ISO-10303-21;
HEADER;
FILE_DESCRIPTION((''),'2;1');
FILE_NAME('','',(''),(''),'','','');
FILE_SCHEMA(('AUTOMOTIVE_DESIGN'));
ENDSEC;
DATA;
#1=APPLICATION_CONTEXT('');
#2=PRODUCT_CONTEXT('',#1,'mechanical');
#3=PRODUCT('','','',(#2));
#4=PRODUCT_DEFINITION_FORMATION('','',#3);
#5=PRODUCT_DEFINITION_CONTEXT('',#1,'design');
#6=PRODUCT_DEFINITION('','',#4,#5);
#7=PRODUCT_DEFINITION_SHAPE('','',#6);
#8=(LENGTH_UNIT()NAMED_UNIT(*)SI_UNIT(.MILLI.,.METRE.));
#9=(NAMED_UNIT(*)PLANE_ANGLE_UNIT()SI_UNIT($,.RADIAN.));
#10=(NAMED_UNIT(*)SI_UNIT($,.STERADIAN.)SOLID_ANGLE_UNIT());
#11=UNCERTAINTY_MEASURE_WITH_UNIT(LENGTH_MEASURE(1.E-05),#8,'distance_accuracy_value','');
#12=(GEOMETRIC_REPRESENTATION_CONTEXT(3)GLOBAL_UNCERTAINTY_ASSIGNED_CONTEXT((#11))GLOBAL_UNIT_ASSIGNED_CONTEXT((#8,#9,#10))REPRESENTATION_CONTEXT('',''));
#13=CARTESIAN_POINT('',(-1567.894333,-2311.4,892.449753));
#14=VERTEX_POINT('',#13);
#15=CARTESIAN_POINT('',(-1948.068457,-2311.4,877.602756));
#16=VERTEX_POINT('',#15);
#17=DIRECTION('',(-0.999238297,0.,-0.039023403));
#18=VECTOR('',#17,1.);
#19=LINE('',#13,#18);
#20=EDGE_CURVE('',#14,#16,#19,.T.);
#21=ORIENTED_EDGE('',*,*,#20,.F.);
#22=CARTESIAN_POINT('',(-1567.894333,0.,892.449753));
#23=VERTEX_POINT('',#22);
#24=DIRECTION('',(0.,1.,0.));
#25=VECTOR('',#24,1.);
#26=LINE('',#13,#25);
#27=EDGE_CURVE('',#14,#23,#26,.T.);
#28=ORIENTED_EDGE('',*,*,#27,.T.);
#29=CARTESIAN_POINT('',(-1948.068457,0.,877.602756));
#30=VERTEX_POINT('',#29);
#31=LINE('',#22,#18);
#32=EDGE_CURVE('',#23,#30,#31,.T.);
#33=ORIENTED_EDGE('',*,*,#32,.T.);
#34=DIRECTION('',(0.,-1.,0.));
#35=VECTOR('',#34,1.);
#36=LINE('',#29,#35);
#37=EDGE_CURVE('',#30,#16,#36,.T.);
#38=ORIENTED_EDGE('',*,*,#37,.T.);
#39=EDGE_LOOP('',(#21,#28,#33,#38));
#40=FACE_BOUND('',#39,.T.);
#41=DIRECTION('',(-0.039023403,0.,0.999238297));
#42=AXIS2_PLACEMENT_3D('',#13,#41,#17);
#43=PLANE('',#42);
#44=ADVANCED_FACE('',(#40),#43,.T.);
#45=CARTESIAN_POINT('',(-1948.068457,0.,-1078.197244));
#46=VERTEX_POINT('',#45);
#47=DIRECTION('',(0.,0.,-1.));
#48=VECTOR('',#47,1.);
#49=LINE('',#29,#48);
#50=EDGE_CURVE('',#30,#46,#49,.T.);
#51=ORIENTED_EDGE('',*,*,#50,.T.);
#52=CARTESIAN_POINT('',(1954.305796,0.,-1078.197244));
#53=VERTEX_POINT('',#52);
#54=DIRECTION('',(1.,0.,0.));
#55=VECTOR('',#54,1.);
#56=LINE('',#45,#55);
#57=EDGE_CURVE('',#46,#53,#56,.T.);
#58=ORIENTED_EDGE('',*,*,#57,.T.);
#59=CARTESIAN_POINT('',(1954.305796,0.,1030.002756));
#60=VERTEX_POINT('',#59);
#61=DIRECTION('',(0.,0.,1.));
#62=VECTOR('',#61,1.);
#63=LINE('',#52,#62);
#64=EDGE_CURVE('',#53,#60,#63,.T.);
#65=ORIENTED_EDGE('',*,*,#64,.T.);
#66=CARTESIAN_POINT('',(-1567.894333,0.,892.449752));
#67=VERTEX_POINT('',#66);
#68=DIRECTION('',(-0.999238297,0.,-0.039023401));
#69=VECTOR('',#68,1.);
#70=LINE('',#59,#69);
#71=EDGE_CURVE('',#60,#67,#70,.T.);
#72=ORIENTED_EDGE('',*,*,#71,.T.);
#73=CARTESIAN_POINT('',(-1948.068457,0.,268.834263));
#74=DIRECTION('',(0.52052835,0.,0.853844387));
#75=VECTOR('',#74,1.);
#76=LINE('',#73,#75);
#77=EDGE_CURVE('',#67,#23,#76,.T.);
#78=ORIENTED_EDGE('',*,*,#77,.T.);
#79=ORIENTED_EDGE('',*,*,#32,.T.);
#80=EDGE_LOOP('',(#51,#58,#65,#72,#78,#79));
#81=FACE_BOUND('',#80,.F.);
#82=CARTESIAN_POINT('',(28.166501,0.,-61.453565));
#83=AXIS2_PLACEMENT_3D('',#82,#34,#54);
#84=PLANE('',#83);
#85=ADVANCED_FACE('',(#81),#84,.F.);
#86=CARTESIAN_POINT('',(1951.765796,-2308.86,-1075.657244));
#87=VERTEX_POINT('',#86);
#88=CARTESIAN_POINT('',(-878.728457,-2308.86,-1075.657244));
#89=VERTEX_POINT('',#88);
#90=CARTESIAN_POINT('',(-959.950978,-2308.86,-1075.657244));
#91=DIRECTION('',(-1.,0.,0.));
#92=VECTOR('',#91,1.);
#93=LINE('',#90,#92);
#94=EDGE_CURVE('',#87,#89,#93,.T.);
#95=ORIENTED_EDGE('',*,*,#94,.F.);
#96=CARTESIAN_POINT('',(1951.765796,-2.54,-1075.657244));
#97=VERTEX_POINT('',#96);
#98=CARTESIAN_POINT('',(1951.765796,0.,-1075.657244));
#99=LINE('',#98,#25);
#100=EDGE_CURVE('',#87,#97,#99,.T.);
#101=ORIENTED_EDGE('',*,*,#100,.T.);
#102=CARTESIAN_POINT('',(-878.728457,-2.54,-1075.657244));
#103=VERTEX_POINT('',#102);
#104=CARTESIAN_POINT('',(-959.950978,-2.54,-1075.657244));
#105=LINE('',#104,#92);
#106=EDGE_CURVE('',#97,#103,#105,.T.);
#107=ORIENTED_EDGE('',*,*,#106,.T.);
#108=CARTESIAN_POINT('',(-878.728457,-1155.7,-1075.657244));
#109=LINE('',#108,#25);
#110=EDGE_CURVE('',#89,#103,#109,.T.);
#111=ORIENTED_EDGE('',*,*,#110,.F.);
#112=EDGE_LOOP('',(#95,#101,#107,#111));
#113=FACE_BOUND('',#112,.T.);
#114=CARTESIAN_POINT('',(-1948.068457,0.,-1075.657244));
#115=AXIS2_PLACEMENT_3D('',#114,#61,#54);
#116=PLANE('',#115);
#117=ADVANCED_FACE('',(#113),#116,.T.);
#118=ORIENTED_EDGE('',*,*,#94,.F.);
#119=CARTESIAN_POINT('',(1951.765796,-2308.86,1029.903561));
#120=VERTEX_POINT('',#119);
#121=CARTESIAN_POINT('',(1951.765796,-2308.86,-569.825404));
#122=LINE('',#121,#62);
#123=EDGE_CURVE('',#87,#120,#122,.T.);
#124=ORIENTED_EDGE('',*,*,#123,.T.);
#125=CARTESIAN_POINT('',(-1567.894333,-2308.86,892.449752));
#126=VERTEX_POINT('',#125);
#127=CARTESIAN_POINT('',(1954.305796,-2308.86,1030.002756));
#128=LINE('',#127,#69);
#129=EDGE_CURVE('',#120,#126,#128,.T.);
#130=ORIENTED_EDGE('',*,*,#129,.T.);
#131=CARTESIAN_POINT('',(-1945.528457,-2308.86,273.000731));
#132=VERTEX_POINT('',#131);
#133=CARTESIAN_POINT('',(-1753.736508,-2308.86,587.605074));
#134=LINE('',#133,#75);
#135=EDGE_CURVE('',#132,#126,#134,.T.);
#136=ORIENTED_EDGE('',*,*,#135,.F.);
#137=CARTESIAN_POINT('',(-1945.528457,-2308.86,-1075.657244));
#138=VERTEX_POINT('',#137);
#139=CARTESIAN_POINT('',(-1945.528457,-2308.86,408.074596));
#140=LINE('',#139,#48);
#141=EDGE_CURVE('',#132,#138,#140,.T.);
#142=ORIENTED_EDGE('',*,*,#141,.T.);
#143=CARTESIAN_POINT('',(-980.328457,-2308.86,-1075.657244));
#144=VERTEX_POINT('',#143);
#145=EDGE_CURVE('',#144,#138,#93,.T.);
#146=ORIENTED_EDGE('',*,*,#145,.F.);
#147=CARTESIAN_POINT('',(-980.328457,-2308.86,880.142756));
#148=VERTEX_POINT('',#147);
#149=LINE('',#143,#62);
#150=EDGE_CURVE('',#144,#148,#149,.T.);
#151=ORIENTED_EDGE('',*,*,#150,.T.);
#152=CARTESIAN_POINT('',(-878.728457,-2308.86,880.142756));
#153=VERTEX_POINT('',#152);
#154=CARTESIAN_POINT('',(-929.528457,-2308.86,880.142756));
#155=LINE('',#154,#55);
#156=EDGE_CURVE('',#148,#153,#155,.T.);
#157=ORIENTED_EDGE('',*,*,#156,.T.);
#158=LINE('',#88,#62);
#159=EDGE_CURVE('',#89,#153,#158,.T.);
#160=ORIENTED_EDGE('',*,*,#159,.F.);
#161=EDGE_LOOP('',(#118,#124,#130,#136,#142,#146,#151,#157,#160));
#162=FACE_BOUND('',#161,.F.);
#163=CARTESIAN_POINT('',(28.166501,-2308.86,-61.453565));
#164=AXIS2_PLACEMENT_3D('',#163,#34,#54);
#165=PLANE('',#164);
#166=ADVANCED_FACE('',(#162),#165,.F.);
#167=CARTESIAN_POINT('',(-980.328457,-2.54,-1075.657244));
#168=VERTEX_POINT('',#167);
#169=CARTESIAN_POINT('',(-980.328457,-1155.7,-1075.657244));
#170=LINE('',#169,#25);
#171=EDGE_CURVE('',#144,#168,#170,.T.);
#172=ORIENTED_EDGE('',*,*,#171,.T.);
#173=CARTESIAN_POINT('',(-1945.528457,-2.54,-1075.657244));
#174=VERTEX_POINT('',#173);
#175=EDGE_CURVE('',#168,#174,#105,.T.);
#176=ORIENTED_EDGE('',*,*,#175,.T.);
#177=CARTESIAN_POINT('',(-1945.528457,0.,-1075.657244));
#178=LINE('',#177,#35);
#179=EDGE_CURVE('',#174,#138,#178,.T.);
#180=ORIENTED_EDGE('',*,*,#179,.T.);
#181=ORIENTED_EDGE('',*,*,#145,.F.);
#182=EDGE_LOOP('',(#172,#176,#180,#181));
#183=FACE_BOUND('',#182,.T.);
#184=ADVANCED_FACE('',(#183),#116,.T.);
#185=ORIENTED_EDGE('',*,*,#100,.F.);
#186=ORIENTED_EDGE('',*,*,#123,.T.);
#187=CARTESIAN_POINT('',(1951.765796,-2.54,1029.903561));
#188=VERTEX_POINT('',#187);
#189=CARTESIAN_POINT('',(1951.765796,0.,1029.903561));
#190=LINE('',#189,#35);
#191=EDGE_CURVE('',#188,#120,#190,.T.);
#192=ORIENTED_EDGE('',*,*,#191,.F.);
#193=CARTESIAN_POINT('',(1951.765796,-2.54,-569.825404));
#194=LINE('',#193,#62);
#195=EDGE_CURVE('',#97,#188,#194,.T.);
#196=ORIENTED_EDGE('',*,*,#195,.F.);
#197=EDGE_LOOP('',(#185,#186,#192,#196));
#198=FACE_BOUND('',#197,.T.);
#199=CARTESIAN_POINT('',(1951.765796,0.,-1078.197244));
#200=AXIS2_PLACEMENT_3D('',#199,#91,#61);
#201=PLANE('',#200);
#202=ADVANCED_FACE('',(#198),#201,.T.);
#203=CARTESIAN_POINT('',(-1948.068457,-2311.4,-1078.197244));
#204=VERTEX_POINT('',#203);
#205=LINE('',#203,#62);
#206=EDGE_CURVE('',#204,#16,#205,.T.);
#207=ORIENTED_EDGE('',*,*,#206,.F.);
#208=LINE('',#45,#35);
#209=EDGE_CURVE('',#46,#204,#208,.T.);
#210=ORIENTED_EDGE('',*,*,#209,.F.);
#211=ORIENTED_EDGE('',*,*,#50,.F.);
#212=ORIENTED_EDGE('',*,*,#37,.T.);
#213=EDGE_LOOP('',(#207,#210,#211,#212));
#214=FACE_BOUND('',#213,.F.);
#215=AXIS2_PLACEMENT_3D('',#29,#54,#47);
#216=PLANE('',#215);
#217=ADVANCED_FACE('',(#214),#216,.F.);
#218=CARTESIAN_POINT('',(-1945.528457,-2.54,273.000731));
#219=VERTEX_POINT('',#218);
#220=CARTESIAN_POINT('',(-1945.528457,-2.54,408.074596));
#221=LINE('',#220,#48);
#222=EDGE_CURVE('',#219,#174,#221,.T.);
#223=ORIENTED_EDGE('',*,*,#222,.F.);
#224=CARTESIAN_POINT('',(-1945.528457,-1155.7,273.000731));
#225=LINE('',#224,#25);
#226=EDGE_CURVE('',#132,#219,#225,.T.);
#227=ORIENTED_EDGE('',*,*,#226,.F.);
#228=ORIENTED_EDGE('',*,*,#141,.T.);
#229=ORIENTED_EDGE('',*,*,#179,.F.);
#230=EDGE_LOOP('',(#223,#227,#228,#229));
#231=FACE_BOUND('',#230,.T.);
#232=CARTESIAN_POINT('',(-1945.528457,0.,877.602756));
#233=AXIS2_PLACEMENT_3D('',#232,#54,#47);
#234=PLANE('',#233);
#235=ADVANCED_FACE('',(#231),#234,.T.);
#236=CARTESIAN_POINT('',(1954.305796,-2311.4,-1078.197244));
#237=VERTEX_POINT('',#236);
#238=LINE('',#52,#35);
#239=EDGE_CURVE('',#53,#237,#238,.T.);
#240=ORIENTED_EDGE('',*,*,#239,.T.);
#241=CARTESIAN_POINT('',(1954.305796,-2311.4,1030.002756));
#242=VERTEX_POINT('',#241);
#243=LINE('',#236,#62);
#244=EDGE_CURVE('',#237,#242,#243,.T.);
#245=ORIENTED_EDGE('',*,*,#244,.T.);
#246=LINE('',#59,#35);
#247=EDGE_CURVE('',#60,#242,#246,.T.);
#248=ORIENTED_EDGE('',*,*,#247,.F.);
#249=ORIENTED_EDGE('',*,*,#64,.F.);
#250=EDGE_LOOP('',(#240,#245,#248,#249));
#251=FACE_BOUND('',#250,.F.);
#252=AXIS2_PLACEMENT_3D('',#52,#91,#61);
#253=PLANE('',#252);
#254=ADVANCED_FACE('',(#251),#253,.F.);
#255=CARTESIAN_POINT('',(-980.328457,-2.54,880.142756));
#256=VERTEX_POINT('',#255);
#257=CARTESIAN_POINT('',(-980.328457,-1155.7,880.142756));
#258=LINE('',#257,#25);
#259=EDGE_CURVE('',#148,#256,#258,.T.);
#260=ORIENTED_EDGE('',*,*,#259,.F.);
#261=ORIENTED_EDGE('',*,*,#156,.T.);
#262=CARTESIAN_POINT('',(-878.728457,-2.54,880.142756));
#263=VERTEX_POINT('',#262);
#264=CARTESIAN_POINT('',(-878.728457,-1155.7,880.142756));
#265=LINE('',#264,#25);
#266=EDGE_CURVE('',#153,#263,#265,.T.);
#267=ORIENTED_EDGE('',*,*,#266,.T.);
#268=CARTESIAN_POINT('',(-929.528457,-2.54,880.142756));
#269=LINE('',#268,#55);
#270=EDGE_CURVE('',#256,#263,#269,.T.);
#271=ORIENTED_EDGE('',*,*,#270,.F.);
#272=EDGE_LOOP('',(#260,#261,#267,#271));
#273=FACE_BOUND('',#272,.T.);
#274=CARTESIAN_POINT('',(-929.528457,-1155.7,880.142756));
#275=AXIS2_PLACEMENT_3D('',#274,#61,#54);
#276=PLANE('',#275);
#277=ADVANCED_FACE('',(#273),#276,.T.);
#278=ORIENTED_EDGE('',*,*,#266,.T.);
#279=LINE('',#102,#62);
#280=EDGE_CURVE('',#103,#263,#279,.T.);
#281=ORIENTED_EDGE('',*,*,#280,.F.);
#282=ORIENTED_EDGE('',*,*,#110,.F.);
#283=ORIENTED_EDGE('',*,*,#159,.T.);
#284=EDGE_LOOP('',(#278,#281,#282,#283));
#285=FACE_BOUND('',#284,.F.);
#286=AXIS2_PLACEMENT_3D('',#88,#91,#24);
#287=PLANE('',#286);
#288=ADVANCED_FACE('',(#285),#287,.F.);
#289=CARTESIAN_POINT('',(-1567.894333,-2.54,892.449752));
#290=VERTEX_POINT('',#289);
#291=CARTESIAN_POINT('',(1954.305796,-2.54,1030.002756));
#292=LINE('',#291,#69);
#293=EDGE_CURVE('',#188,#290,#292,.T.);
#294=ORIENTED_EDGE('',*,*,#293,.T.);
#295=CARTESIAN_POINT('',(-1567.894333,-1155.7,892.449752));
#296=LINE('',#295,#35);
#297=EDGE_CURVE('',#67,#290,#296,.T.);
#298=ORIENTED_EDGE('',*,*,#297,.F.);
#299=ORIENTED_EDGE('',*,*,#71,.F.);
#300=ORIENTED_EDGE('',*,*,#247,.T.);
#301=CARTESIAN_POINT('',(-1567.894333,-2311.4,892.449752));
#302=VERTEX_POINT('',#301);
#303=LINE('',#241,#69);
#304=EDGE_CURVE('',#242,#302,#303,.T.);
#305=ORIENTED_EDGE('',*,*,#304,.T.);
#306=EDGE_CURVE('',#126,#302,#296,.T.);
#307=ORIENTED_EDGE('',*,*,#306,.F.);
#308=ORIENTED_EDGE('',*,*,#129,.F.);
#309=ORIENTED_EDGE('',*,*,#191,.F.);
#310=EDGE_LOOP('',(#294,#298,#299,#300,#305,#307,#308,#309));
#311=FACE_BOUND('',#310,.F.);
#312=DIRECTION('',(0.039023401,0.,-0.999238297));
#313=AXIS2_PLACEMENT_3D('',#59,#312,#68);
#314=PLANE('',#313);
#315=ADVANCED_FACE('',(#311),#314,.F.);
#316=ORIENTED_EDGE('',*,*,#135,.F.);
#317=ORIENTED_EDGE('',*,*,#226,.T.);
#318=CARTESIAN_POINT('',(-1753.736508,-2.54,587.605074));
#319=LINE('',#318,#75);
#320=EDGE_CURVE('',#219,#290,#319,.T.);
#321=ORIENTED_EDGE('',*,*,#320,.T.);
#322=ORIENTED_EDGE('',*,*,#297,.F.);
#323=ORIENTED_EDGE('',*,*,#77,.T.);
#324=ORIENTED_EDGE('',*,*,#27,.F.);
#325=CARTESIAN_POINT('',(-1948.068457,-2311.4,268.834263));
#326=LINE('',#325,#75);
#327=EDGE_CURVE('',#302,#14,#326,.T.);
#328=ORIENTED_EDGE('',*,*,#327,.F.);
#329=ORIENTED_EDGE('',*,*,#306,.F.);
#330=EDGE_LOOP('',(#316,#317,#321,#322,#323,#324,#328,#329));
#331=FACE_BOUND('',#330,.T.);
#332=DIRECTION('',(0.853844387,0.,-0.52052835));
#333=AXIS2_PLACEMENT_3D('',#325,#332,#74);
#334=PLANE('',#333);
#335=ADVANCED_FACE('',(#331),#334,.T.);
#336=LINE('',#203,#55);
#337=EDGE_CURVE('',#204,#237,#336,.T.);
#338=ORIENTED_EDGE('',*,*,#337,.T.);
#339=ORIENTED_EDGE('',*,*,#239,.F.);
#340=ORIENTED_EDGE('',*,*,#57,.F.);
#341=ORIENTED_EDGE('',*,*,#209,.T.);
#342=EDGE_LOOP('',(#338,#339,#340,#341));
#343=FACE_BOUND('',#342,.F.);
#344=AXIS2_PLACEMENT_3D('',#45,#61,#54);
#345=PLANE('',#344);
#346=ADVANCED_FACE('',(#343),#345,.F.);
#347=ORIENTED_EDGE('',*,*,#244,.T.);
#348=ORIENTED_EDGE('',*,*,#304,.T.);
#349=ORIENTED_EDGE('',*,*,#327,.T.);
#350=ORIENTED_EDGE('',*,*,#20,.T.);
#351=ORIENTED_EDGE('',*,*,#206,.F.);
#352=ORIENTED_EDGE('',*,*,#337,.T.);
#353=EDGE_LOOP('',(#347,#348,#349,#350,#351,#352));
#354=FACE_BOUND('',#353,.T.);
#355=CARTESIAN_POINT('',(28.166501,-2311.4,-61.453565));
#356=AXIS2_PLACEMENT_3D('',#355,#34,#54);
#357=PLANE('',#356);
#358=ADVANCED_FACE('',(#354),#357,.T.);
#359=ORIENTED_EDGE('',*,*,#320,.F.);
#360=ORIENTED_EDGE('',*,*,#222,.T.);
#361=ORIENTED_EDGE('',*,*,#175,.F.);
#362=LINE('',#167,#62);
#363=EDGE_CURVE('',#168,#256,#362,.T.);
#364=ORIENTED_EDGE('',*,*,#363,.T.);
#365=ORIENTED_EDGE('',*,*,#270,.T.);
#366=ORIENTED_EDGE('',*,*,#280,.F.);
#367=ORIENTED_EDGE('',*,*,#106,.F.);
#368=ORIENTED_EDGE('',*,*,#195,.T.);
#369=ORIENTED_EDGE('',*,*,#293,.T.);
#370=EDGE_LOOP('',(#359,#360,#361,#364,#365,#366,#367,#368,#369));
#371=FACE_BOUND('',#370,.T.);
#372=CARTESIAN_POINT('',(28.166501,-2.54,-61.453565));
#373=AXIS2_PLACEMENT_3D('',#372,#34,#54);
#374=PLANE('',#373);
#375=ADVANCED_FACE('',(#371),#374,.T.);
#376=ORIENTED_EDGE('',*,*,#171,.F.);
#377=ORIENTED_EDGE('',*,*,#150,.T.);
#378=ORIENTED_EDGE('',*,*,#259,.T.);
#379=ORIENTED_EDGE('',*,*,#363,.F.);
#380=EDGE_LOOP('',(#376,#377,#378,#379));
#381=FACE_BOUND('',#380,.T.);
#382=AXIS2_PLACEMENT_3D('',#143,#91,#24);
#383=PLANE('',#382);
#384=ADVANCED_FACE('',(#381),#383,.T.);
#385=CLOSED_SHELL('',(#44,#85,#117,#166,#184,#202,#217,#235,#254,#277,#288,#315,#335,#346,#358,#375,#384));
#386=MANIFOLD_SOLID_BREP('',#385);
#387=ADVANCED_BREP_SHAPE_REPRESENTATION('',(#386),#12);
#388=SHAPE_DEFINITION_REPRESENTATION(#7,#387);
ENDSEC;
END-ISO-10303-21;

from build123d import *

# Parameters (mm, degrees)
F1_DEPTH = 2311.4
F2_T     = -2.54
F3_W     = 101.6
F3_H     = 2306.32
F4_DEPTH = 1955.8
F6_DEPTH = 2311.4


with BuildPart() as f1:
    # F0 (on Front) → F1 (new body)
    with BuildSketch(Plane.XZ):
        Polygon((1954.305796, 1030.002756), (-1948.068457, 877.602756), (-1948.068457, -1078.197244), (1954.305796, -1078.197244), align=None)
    extrude(amount=F1_DEPTH)

    # F2
    f2_openings = [f1.faces().sort_by_distance(p)[0] for p in [
        (3.11867, -1155.7, 953.802756),
    ]]
    offset(amount=F2_T, openings=f2_openings)

    # F3 (on face) → F4 (join)
    with BuildSketch(Plane.XY.offset(-1075.657244)):
        with Locations((-929.528457, -1155.7)):
            Rectangle(F3_W, F3_H)
    extrude(amount=F4_DEPTH)

    # F5 (on face) → F6 (join)
    with BuildSketch(Plane.XZ.offset(2311.4)):
        Polygon((-1948.068457, 877.602756), (-1948.068457, 268.834263), (-1567.894333, 892.449753), align=None)
    extrude(amount=-F6_DEPTH)


solid = f1.part
